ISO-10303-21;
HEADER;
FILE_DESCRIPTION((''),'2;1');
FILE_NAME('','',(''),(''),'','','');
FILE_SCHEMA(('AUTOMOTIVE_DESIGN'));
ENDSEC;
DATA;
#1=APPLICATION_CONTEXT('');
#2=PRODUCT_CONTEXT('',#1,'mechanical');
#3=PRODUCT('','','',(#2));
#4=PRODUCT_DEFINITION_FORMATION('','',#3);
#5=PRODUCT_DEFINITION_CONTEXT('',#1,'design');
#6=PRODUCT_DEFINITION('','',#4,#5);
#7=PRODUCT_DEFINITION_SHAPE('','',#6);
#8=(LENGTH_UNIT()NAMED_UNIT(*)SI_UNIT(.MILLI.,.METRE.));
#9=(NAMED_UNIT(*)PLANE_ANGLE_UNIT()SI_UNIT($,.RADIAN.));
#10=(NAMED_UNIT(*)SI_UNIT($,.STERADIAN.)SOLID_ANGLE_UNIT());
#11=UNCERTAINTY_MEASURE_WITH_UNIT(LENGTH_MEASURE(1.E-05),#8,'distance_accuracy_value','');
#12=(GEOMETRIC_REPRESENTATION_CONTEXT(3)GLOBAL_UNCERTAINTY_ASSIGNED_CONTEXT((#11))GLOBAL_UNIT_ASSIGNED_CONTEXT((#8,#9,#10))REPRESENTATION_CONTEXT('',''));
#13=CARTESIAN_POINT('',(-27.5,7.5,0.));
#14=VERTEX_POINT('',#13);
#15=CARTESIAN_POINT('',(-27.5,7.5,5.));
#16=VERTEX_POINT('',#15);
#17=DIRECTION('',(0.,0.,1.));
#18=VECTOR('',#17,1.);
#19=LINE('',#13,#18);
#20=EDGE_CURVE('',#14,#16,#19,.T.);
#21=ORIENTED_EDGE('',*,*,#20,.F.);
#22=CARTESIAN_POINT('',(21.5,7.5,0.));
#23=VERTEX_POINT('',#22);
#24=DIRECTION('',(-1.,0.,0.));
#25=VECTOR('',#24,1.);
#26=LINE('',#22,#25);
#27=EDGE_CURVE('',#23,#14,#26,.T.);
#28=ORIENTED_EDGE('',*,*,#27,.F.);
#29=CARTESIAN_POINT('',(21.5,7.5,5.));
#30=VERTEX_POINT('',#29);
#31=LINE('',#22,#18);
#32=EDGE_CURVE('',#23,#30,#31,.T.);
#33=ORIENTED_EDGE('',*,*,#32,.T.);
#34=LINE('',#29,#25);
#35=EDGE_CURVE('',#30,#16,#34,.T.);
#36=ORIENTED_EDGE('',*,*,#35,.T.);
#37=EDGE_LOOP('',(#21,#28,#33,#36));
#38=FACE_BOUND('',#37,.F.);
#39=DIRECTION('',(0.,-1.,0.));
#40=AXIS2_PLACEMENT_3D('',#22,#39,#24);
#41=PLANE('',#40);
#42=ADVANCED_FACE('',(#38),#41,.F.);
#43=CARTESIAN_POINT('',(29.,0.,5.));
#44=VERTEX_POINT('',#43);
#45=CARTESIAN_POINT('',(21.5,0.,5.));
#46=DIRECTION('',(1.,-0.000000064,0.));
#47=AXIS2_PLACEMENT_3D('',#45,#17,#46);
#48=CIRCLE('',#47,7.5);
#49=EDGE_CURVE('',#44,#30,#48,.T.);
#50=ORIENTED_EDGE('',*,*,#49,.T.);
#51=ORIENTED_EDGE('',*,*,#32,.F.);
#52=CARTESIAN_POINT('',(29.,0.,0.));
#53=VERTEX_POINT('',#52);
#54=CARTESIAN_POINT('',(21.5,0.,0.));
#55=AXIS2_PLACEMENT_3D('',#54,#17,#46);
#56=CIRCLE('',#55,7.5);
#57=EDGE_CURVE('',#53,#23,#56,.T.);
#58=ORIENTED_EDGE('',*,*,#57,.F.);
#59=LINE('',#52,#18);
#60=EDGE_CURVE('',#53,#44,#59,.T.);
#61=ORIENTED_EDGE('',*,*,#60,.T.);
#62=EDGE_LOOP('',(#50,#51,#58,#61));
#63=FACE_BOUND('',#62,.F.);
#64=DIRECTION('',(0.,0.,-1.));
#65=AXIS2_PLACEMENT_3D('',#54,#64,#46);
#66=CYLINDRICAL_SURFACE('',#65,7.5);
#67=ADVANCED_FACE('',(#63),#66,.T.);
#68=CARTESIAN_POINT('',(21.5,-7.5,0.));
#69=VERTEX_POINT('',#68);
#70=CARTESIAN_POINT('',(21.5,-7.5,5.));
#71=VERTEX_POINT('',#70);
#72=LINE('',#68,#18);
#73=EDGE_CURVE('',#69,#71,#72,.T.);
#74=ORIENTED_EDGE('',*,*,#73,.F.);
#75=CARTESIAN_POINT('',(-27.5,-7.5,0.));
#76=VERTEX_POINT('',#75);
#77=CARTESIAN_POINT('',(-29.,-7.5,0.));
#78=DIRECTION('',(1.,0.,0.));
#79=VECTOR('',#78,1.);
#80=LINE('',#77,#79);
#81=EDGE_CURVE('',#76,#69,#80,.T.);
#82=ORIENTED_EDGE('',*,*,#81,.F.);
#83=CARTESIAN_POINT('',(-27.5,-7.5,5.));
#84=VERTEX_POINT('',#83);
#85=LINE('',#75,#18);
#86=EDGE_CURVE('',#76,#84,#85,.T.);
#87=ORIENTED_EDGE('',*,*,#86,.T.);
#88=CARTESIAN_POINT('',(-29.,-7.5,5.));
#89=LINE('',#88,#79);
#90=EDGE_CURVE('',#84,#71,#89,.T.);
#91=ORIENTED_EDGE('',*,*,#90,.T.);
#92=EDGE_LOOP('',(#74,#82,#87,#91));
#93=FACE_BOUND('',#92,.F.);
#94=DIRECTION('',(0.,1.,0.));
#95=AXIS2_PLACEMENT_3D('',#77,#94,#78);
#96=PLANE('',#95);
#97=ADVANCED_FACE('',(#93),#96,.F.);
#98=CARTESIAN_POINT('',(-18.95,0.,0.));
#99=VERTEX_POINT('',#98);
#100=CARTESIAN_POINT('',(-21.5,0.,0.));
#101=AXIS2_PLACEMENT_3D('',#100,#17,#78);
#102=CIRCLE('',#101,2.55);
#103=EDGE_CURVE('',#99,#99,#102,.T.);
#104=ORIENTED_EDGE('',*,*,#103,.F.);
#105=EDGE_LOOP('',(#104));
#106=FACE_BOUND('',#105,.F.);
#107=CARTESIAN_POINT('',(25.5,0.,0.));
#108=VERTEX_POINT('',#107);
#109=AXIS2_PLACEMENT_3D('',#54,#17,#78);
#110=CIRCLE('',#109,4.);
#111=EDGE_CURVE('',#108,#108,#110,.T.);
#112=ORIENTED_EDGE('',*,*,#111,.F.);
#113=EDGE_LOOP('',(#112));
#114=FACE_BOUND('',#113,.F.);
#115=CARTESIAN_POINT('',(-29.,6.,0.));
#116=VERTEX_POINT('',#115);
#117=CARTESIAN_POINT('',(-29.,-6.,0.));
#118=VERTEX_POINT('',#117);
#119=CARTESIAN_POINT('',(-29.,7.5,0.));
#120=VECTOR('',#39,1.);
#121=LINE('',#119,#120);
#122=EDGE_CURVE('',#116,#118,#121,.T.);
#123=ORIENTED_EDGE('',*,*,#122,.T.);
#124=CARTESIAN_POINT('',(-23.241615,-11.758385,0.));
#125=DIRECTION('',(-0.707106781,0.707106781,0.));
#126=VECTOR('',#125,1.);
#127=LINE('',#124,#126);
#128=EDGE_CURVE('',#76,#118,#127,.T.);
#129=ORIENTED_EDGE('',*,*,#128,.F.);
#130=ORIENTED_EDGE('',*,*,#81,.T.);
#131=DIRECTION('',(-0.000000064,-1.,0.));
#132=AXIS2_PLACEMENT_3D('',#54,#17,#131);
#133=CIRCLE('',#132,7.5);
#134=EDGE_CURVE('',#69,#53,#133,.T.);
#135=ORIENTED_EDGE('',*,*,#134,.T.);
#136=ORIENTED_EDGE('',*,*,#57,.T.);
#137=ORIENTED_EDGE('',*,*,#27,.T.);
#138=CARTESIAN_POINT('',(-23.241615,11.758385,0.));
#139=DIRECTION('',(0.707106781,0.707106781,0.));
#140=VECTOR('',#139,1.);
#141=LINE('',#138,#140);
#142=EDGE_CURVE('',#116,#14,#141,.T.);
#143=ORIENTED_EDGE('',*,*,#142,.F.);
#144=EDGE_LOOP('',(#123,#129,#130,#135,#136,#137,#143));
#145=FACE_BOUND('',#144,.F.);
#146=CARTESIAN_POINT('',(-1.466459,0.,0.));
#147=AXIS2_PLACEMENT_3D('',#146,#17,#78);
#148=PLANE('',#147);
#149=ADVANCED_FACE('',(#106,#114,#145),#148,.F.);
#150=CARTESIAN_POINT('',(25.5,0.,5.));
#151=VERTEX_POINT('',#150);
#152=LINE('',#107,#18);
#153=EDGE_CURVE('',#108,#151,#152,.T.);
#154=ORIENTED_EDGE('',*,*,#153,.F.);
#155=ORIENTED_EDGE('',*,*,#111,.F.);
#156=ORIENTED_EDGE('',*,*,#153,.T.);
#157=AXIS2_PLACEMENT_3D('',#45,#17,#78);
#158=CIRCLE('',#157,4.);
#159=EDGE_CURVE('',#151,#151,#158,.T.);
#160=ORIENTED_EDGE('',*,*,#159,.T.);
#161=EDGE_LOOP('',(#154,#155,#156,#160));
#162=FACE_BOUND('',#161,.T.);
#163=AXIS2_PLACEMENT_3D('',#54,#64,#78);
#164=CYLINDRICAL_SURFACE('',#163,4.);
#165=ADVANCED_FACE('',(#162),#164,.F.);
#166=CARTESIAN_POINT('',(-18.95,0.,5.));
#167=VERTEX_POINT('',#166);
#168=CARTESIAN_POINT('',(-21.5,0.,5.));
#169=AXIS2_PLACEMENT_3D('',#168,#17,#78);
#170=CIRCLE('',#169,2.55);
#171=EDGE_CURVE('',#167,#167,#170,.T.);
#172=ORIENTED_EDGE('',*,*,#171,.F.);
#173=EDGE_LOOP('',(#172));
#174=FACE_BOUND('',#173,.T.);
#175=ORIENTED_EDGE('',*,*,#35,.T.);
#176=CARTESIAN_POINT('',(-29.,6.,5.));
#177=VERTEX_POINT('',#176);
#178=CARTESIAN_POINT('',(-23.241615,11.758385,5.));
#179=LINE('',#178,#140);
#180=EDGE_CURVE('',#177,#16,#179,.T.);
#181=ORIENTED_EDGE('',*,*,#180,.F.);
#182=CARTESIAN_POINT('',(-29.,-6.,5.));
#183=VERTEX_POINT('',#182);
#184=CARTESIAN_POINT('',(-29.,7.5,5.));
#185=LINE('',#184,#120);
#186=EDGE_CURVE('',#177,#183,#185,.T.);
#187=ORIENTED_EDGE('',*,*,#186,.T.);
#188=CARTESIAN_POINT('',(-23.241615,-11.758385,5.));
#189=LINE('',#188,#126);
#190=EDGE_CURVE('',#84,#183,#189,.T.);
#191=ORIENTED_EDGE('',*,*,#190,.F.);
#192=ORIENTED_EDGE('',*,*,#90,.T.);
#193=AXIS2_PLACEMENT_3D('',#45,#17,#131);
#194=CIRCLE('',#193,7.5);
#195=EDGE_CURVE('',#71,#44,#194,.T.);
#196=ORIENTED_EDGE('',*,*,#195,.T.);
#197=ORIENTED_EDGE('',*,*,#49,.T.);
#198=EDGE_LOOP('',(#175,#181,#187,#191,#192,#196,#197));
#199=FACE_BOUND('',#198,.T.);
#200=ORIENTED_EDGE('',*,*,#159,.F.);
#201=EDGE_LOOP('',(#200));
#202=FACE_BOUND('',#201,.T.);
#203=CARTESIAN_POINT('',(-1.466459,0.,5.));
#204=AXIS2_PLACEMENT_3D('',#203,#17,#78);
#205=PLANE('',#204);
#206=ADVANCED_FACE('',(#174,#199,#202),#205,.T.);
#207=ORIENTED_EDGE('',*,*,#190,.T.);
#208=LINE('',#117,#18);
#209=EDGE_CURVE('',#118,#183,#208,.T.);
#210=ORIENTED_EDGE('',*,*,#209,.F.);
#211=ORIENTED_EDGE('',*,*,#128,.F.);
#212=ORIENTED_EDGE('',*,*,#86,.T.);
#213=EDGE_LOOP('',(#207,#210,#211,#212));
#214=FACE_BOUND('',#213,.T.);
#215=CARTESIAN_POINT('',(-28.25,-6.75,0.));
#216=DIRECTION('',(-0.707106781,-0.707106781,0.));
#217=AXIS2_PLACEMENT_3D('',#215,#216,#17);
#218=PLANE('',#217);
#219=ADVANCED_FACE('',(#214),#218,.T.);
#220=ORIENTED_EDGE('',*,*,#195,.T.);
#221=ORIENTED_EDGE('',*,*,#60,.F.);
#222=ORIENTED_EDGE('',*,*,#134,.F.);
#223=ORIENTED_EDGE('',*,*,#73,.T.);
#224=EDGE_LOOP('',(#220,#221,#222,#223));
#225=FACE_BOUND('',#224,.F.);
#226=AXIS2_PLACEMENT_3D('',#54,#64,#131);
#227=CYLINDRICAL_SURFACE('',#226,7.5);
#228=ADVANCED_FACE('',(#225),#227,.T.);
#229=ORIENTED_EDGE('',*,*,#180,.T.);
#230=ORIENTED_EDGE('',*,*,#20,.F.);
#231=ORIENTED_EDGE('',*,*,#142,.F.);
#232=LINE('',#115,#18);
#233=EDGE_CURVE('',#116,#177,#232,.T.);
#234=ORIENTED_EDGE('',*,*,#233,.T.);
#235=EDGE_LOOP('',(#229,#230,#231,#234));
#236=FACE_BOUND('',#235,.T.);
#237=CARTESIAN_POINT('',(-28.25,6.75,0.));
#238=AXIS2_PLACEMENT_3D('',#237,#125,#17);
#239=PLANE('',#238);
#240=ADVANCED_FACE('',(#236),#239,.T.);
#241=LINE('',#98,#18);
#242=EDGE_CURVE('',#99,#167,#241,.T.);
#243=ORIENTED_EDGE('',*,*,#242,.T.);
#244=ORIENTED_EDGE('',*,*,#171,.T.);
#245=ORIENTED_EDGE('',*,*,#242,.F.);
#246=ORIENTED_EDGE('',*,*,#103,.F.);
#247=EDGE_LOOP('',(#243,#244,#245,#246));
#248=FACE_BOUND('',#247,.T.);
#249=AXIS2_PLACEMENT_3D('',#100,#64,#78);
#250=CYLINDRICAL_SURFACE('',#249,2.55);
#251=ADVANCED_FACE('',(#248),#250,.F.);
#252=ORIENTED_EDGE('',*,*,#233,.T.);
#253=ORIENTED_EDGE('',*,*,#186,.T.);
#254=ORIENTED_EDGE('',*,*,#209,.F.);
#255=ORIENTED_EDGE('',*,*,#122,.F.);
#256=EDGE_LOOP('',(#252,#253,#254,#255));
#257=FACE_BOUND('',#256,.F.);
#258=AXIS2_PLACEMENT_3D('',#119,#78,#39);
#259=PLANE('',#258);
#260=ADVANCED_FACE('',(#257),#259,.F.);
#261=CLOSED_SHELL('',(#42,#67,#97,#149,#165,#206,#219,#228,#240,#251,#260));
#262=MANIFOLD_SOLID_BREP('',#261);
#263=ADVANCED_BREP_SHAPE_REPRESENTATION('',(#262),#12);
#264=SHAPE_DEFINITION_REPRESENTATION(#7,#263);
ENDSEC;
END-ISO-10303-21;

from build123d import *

# Parameters (mm, degrees)
F0_R     = 2.55
F0_R_2   = 4
F1_DEPTH = 5
F2_SIZE  = 1.5


with BuildPart() as f1:
    # F0 (on Top) → F1 (new body)
    with BuildSketch(Plane.XY):
        with BuildLine():
            Line((-29, -7.5), (21.5, -7.5))
            ThreePointArc((21.5, -7.5), (26.803301, -5.303301), (29, 0))
            ThreePointArc((29, 0), (26.803301, 5.303301), (21.5, 7.5))
            Line((21.5, 7.5), (-29, 7.5))
            Line((-29, 7.5), (-29, -7.5))
        make_face()
        with Locations((-21.5, 0)):
            Circle(F0_R, mode=Mode.SUBTRACT)
        with Locations((21.5, 0)):
            Circle(F0_R_2, mode=Mode.SUBTRACT)
    extrude(amount=F1_DEPTH)

    # F2
    f2_edges = [f1.edges().sort_by_distance(p)[0] for p in [
        (-29, 7.5, 2.5),
        (-29, -7.5, 2.5),
    ]]
    chamfer(f2_edges, length=F2_SIZE)


solid = f1.part
